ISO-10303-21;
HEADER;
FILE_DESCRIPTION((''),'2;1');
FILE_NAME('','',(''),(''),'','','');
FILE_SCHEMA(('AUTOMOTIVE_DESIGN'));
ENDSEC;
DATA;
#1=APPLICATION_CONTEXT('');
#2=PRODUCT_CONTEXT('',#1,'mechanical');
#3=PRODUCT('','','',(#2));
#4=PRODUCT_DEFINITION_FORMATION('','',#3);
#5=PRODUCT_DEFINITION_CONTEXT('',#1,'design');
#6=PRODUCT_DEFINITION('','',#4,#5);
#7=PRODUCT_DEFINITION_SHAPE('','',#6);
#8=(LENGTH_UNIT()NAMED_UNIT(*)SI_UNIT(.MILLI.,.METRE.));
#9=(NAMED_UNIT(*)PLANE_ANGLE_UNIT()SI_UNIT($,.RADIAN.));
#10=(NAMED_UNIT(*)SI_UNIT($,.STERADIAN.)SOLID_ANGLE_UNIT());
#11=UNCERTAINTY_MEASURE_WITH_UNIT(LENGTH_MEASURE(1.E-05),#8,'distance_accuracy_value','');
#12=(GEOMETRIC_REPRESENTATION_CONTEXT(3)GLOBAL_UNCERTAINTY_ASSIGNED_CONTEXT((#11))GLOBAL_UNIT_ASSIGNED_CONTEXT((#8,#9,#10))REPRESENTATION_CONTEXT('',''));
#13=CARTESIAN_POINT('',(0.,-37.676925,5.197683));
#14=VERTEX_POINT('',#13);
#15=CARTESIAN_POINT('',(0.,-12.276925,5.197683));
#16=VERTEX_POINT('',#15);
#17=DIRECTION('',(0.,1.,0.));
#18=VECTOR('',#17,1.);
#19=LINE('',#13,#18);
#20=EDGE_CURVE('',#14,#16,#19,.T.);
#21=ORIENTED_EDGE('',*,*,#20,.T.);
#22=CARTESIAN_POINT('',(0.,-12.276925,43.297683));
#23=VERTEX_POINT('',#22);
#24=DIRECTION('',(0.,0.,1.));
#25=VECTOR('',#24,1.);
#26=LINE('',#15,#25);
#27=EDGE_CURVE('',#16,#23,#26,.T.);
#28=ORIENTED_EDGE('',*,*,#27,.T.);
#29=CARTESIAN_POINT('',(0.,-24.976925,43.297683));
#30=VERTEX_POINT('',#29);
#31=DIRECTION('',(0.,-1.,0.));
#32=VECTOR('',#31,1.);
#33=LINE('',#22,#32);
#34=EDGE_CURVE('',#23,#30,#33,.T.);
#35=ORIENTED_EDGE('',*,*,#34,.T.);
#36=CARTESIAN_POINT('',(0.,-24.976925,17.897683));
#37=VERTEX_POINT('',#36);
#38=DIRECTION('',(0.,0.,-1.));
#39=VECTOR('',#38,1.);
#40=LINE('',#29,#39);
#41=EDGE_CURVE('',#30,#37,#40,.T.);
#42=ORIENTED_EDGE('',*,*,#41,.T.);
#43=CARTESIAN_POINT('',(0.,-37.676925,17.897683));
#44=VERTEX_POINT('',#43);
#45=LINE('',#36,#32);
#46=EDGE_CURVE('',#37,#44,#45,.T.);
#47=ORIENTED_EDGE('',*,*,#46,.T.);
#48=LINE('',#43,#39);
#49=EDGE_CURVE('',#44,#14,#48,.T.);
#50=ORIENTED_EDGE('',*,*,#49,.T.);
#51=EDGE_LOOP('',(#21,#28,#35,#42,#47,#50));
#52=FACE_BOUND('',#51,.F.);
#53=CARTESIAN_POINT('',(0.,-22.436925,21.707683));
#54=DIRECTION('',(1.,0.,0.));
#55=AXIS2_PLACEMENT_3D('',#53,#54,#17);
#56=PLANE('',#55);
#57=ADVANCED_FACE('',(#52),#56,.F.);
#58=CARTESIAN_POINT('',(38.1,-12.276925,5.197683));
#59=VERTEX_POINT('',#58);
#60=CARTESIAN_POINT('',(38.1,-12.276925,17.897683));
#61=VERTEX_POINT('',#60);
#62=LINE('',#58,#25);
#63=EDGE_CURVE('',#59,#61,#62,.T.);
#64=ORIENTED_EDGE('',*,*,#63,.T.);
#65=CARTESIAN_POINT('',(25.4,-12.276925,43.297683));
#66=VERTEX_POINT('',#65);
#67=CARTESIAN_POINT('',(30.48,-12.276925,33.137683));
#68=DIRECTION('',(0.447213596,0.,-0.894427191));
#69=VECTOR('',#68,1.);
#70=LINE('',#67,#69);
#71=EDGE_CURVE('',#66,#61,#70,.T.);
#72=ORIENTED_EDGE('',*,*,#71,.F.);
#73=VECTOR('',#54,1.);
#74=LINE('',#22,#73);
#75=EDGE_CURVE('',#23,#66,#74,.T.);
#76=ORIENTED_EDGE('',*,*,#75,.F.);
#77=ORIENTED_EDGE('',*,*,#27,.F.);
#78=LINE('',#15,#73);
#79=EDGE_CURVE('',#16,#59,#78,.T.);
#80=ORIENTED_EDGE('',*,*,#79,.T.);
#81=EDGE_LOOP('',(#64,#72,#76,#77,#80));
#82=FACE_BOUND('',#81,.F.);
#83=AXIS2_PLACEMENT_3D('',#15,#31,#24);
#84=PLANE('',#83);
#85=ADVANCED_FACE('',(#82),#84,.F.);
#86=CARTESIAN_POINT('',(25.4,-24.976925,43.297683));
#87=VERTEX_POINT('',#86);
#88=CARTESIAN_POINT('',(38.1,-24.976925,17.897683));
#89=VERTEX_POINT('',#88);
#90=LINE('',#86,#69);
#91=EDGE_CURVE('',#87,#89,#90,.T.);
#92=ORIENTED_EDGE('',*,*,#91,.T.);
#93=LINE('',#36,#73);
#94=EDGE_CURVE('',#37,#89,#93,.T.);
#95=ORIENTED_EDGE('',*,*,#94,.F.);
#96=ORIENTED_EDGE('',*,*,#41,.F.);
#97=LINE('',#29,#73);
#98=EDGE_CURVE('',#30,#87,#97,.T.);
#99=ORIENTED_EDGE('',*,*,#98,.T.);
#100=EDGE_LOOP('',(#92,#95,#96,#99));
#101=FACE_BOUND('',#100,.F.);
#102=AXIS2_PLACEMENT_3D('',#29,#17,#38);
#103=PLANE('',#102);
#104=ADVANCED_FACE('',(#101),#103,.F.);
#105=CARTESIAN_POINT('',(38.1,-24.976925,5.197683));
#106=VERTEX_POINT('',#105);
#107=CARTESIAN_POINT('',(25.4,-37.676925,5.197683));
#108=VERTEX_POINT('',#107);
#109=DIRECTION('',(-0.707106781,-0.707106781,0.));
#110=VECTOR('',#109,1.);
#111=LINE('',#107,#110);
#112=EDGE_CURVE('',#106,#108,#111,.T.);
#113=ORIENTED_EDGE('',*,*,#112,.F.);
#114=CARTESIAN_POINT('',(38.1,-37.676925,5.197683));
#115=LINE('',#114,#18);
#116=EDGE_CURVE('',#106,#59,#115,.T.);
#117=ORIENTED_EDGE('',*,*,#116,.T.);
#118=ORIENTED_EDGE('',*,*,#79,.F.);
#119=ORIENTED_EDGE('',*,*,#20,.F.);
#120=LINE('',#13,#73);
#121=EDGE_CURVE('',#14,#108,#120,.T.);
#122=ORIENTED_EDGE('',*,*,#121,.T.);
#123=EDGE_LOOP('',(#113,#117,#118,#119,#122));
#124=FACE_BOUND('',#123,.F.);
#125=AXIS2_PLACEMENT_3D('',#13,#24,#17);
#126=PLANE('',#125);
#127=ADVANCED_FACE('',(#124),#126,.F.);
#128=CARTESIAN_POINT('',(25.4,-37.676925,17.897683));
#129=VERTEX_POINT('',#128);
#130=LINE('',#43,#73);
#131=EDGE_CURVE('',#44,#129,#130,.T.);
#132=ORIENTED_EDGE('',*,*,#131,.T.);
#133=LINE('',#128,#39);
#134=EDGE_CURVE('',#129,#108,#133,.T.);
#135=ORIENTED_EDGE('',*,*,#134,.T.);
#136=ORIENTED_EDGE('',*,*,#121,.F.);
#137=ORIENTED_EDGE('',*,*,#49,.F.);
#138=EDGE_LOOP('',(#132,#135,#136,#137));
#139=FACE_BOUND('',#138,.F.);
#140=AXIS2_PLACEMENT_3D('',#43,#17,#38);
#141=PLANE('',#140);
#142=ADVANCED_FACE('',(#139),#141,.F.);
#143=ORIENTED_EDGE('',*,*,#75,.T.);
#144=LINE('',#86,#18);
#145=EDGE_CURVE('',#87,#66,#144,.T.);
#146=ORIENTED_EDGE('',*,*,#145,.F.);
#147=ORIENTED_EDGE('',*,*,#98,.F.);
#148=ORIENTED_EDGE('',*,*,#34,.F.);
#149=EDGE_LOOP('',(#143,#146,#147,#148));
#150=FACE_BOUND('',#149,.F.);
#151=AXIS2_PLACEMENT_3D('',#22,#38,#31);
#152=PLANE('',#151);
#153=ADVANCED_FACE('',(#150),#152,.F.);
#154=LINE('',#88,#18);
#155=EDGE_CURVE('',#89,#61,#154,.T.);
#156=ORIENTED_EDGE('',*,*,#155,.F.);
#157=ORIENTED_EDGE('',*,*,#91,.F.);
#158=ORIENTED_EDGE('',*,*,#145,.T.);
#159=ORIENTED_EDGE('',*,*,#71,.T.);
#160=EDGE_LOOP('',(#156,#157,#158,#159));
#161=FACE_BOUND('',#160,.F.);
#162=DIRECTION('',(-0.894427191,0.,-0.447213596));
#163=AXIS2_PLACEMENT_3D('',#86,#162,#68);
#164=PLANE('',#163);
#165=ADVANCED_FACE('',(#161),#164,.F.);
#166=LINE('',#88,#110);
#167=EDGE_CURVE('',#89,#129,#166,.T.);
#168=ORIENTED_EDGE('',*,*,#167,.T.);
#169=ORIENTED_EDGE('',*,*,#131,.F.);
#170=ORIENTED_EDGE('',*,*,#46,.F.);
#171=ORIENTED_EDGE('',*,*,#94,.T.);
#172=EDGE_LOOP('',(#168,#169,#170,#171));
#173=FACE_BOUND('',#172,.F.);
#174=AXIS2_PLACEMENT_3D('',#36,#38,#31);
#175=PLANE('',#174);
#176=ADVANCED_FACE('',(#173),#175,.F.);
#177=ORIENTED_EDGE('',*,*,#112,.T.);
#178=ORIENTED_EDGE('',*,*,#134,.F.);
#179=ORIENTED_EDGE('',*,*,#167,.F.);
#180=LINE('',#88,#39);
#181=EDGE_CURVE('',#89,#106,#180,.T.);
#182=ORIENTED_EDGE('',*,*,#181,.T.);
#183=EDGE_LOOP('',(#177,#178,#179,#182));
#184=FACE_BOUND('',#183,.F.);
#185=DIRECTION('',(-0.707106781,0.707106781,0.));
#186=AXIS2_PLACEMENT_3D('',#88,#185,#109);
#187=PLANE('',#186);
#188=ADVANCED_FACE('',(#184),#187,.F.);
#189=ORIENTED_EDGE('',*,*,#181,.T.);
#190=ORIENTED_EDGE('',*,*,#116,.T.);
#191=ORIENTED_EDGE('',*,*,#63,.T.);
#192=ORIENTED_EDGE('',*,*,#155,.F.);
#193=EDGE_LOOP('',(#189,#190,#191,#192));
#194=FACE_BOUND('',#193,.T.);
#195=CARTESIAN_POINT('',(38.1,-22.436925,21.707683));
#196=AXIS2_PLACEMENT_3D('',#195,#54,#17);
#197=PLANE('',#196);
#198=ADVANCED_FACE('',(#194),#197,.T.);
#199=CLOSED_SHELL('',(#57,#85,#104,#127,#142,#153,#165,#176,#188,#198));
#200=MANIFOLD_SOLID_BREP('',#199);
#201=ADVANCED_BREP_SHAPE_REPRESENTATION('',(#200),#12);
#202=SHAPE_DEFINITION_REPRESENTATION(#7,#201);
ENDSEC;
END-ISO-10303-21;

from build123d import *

# Parameters (mm, degrees)
F1_DEPTH = 38.1
F3_DEPTH = 25.4
F5_DEPTH = 25.4


with BuildPart() as f1:
    # F0 (on Right) → F1 (new body)
    with BuildSketch(Plane.YZ):
        Polygon((-12.276925, 5.197683), (-12.276925, 43.297683), (-24.976925, 43.297683), (-24.976925, 17.897683), (-37.676925, 17.897683), (-37.676925, 5.197683), align=None)
    extrude(amount=F1_DEPTH)

    # F2 (on face) → F3 (cut)
    with BuildSketch(Plane.XZ.offset(24.976925)):
        Polygon((38.1, 43.297683), (25.4, 43.297683), (38.1, 17.897683), align=None)
    extrude(amount=-F3_DEPTH, mode=Mode.SUBTRACT)

    # F4 (on face) → F5 (cut)
    with BuildSketch(Plane.XY.offset(17.897683)):
        Polygon((38.1, -37.676925), (38.1, -24.976925), (25.4, -37.676925), align=None)
    extrude(amount=-F5_DEPTH, mode=Mode.SUBTRACT)


solid = f1.part
